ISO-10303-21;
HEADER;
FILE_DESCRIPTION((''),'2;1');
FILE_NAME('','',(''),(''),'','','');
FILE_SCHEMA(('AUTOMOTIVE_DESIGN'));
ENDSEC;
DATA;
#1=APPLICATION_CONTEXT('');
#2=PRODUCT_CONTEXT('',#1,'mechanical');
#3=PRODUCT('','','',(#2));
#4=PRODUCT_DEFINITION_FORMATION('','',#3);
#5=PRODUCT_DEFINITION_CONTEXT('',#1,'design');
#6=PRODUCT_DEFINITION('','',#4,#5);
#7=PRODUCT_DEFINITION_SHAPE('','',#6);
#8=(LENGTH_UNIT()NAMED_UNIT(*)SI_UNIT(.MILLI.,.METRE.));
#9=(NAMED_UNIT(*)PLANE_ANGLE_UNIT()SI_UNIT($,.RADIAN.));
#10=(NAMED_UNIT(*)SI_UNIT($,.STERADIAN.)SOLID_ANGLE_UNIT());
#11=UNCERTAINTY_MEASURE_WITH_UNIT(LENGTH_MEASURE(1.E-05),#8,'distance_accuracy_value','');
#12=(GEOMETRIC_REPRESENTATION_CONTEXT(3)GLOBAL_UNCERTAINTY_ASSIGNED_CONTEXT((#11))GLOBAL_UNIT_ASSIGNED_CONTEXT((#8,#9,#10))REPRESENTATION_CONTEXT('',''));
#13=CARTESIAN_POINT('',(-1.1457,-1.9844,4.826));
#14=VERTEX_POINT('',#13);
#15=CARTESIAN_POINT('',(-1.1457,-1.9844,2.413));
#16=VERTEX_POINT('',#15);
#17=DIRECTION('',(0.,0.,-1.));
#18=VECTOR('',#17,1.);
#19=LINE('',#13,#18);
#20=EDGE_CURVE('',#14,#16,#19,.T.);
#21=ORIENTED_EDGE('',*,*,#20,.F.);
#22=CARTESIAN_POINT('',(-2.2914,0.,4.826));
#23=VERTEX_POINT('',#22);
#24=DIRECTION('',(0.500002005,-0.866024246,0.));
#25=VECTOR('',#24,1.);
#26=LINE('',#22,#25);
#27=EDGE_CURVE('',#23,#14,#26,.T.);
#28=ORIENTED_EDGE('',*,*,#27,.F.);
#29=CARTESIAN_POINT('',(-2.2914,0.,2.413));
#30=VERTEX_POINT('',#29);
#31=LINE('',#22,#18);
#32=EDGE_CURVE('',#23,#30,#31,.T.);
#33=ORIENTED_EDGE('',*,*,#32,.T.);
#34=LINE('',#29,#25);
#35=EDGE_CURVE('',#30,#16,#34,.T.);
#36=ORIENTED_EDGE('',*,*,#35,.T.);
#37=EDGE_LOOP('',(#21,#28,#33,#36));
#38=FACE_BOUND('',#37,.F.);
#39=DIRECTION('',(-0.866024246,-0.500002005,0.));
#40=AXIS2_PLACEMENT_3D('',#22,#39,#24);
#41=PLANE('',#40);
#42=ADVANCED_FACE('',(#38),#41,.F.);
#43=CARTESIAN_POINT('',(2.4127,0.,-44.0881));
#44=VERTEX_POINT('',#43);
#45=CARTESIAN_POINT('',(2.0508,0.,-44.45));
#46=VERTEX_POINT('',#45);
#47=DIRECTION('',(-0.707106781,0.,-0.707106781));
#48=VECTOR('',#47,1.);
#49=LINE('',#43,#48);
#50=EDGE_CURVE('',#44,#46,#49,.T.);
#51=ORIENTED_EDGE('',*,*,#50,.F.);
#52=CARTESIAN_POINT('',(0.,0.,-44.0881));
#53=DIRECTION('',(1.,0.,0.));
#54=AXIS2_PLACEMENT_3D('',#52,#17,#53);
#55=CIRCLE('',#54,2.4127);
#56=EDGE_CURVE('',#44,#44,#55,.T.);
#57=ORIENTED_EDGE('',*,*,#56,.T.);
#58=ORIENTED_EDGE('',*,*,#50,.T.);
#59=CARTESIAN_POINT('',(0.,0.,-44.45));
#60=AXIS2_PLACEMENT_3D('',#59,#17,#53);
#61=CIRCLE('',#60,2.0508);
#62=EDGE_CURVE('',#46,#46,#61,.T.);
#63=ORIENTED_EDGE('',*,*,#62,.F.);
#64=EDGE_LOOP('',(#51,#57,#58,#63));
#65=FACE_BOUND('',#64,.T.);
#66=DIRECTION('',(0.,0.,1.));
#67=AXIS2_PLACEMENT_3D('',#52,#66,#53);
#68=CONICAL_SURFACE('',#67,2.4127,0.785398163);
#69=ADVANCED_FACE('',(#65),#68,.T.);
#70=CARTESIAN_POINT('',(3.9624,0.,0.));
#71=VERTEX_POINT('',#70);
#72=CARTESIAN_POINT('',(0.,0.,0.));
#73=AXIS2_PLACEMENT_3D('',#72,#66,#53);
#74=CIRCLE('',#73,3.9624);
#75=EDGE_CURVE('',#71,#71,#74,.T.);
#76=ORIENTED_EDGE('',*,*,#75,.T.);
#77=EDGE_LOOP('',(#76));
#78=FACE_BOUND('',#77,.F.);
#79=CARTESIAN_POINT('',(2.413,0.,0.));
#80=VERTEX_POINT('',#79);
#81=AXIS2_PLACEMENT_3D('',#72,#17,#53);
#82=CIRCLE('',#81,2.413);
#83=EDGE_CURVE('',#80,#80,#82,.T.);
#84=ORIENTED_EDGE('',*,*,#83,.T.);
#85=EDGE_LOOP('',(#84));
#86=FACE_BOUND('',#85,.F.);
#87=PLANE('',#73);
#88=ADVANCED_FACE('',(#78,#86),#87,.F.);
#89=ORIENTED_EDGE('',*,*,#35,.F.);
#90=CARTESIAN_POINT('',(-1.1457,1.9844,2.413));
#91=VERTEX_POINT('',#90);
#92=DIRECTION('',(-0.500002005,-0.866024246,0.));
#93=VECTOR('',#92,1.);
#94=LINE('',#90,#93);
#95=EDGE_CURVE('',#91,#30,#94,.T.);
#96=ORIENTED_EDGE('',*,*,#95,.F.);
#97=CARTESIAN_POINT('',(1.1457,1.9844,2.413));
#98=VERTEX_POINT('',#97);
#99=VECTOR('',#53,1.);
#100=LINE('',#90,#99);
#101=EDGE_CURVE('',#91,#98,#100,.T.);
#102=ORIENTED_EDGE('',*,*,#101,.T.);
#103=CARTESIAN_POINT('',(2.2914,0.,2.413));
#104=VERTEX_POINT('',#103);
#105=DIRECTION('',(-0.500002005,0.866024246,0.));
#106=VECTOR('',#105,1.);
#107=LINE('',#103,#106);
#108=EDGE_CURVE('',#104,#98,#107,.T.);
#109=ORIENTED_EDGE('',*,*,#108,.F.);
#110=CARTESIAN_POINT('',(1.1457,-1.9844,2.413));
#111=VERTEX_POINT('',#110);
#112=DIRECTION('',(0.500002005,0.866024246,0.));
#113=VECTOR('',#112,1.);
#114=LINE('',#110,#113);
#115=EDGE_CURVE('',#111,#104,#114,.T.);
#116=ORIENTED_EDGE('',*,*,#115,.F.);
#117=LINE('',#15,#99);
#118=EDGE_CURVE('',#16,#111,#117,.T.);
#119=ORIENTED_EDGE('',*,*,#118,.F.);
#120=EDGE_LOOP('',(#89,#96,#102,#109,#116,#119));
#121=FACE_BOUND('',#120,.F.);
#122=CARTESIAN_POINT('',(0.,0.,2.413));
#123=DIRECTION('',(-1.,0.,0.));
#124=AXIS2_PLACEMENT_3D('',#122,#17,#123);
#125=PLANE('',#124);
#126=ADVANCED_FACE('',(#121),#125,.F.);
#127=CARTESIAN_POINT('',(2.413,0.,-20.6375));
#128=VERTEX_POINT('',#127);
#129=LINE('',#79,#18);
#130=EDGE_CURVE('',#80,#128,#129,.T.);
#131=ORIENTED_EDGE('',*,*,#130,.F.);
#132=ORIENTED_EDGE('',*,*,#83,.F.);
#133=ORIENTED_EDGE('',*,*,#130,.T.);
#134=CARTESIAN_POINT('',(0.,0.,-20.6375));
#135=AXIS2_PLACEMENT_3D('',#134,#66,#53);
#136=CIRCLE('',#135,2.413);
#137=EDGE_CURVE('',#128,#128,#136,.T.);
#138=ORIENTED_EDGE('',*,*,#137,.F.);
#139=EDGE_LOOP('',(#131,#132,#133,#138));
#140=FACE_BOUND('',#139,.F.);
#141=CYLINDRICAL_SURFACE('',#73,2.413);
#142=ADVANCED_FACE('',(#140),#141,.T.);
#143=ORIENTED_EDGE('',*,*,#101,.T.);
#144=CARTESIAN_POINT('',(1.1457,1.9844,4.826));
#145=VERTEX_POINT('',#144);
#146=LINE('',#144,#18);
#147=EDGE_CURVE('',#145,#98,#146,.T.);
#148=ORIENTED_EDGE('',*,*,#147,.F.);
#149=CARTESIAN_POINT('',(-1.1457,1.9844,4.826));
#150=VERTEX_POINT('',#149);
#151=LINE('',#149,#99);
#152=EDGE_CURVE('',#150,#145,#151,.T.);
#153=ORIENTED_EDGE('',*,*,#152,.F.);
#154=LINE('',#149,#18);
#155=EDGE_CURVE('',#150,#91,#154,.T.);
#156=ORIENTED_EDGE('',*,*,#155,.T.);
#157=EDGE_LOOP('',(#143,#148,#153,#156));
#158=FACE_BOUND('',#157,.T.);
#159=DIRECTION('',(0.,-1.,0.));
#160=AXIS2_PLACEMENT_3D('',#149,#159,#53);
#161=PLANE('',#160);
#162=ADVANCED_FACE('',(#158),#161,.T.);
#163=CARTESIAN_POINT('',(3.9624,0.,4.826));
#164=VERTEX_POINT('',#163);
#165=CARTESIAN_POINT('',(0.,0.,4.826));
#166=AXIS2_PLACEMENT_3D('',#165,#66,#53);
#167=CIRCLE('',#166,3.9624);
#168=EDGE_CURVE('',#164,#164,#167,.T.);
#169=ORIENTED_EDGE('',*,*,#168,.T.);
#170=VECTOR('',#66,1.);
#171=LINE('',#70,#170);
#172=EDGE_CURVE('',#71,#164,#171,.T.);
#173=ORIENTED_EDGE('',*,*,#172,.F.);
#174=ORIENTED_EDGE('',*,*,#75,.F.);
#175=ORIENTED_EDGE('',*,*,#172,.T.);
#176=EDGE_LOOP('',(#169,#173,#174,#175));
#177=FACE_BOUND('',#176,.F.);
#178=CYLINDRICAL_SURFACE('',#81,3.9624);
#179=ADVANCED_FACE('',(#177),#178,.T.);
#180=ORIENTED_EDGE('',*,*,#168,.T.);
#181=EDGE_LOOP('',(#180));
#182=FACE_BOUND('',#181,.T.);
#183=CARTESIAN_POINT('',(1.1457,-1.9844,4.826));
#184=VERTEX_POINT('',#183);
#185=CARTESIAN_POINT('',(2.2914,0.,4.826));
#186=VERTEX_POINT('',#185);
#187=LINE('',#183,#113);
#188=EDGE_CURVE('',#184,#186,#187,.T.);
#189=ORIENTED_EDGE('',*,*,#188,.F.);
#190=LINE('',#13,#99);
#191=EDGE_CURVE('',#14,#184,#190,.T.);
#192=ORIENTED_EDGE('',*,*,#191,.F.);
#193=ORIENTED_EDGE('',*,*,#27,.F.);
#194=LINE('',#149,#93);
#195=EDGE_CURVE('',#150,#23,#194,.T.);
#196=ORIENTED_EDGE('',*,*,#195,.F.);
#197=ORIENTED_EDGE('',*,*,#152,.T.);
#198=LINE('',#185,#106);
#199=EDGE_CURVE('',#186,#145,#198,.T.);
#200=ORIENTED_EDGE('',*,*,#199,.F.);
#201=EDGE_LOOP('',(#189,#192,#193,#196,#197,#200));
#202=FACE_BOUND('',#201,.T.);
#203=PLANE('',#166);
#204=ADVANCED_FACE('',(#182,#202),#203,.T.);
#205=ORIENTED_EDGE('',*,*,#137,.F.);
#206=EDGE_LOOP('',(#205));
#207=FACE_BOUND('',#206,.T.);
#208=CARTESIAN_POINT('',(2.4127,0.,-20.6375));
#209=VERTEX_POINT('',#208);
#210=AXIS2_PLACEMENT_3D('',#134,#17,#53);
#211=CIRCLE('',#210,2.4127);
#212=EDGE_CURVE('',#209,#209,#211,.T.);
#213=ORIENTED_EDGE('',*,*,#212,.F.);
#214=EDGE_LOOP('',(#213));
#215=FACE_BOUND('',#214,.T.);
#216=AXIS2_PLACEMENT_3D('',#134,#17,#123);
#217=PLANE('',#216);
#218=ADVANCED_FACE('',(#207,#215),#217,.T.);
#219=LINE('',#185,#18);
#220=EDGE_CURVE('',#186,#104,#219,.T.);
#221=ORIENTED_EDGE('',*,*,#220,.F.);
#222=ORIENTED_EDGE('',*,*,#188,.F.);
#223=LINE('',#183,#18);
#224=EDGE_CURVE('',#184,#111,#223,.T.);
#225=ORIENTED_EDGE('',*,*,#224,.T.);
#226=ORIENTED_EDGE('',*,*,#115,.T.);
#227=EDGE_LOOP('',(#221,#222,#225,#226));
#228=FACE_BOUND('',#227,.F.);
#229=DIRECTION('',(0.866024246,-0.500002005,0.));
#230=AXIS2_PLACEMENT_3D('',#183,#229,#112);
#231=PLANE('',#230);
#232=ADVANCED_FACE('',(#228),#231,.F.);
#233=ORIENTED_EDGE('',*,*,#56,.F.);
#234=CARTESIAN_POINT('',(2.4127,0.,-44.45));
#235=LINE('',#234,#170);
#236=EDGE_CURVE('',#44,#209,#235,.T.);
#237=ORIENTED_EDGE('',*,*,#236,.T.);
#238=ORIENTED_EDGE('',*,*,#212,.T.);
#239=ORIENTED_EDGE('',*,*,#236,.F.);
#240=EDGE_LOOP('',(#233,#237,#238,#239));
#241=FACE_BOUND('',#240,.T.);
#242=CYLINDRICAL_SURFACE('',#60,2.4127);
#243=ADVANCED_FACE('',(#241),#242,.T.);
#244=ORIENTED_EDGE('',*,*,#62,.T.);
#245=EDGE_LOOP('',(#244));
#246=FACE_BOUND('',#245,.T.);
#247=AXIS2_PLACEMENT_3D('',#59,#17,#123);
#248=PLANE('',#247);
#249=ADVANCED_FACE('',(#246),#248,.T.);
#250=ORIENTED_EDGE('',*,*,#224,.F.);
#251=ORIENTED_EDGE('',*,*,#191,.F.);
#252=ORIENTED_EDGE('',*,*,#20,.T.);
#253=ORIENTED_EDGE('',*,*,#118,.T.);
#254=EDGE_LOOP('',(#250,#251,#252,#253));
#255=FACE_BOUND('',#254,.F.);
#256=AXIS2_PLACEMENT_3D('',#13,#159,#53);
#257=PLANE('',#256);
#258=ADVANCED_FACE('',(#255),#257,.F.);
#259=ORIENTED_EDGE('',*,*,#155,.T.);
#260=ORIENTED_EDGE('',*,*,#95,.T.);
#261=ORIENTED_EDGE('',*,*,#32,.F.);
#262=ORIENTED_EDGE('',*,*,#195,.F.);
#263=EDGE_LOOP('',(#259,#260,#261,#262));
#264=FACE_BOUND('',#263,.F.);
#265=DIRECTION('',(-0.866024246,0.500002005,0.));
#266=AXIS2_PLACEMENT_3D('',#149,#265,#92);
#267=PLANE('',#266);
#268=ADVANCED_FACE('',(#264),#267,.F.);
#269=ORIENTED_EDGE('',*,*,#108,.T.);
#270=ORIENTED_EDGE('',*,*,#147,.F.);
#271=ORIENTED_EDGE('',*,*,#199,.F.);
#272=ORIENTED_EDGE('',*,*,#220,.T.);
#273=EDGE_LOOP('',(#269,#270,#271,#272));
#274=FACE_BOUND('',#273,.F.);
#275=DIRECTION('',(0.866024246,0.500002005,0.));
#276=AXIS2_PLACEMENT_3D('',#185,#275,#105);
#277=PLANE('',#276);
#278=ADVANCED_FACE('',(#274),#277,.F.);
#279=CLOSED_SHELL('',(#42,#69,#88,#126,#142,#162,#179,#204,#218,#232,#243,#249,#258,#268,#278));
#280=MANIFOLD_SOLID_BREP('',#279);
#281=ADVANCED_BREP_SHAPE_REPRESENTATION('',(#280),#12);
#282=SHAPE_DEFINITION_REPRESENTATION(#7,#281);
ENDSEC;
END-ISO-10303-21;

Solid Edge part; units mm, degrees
sketch "Sketch1" plane through (0, 0, 0) normal (0, 0, 1) x (1, 0, 0)
  circle A0 centre (0, 0) radius 3.9624
  dimension "D1" = 7.9248
extrude "Protrusion1" add sketch "Sketch1" along normal blind 4.826
sketch "Sketch2" plane through (0, 0, 0) normal (0, 0, -1) x (1, 0, 0)
  circle A0 centre (0, 0) radius 2.413
extrude "Protrusion2" add sketch "Sketch2" along normal blind 44.45
sketch "Sketch3" plane through (0, 0, -44.45) normal (0, 0, -1) x (1, 0, 0)
  circle A0 centre (0, 0) radius 2.4127
extrude "Cutout1" cut sketch "Sketch3" against normal blind 23.8125 flip side to cut
chamfer "Chamfer_1" distance 0.3619 angle 45 1 edges at (-2.4127, 0, -44.45)
sketch "Sketch4" plane through (0, 0, 4.826) normal (0, 0, 1) x (1, 0, 0)
  line L0 (-1.1457, 1.9844) -> (1.1457, 1.9844)
  line L1 (2.2914, 0) -> (1.1457, 1.9844)
  line L2 (1.1457, -1.9844) -> (2.2914, 0)
  line L3 (-1.1457, -1.9844) -> (1.1457, -1.9844)
  line L4 (-2.2914, 0) -> (-1.1457, -1.9844)
  line L5 (-1.1457, 1.9844) -> (-2.2914, 0)
  dimension "D1" = 3.9688
extrude "Cutout2" cut sketch "Sketch4" against normal blind 2.413
properties part number "24101521"
